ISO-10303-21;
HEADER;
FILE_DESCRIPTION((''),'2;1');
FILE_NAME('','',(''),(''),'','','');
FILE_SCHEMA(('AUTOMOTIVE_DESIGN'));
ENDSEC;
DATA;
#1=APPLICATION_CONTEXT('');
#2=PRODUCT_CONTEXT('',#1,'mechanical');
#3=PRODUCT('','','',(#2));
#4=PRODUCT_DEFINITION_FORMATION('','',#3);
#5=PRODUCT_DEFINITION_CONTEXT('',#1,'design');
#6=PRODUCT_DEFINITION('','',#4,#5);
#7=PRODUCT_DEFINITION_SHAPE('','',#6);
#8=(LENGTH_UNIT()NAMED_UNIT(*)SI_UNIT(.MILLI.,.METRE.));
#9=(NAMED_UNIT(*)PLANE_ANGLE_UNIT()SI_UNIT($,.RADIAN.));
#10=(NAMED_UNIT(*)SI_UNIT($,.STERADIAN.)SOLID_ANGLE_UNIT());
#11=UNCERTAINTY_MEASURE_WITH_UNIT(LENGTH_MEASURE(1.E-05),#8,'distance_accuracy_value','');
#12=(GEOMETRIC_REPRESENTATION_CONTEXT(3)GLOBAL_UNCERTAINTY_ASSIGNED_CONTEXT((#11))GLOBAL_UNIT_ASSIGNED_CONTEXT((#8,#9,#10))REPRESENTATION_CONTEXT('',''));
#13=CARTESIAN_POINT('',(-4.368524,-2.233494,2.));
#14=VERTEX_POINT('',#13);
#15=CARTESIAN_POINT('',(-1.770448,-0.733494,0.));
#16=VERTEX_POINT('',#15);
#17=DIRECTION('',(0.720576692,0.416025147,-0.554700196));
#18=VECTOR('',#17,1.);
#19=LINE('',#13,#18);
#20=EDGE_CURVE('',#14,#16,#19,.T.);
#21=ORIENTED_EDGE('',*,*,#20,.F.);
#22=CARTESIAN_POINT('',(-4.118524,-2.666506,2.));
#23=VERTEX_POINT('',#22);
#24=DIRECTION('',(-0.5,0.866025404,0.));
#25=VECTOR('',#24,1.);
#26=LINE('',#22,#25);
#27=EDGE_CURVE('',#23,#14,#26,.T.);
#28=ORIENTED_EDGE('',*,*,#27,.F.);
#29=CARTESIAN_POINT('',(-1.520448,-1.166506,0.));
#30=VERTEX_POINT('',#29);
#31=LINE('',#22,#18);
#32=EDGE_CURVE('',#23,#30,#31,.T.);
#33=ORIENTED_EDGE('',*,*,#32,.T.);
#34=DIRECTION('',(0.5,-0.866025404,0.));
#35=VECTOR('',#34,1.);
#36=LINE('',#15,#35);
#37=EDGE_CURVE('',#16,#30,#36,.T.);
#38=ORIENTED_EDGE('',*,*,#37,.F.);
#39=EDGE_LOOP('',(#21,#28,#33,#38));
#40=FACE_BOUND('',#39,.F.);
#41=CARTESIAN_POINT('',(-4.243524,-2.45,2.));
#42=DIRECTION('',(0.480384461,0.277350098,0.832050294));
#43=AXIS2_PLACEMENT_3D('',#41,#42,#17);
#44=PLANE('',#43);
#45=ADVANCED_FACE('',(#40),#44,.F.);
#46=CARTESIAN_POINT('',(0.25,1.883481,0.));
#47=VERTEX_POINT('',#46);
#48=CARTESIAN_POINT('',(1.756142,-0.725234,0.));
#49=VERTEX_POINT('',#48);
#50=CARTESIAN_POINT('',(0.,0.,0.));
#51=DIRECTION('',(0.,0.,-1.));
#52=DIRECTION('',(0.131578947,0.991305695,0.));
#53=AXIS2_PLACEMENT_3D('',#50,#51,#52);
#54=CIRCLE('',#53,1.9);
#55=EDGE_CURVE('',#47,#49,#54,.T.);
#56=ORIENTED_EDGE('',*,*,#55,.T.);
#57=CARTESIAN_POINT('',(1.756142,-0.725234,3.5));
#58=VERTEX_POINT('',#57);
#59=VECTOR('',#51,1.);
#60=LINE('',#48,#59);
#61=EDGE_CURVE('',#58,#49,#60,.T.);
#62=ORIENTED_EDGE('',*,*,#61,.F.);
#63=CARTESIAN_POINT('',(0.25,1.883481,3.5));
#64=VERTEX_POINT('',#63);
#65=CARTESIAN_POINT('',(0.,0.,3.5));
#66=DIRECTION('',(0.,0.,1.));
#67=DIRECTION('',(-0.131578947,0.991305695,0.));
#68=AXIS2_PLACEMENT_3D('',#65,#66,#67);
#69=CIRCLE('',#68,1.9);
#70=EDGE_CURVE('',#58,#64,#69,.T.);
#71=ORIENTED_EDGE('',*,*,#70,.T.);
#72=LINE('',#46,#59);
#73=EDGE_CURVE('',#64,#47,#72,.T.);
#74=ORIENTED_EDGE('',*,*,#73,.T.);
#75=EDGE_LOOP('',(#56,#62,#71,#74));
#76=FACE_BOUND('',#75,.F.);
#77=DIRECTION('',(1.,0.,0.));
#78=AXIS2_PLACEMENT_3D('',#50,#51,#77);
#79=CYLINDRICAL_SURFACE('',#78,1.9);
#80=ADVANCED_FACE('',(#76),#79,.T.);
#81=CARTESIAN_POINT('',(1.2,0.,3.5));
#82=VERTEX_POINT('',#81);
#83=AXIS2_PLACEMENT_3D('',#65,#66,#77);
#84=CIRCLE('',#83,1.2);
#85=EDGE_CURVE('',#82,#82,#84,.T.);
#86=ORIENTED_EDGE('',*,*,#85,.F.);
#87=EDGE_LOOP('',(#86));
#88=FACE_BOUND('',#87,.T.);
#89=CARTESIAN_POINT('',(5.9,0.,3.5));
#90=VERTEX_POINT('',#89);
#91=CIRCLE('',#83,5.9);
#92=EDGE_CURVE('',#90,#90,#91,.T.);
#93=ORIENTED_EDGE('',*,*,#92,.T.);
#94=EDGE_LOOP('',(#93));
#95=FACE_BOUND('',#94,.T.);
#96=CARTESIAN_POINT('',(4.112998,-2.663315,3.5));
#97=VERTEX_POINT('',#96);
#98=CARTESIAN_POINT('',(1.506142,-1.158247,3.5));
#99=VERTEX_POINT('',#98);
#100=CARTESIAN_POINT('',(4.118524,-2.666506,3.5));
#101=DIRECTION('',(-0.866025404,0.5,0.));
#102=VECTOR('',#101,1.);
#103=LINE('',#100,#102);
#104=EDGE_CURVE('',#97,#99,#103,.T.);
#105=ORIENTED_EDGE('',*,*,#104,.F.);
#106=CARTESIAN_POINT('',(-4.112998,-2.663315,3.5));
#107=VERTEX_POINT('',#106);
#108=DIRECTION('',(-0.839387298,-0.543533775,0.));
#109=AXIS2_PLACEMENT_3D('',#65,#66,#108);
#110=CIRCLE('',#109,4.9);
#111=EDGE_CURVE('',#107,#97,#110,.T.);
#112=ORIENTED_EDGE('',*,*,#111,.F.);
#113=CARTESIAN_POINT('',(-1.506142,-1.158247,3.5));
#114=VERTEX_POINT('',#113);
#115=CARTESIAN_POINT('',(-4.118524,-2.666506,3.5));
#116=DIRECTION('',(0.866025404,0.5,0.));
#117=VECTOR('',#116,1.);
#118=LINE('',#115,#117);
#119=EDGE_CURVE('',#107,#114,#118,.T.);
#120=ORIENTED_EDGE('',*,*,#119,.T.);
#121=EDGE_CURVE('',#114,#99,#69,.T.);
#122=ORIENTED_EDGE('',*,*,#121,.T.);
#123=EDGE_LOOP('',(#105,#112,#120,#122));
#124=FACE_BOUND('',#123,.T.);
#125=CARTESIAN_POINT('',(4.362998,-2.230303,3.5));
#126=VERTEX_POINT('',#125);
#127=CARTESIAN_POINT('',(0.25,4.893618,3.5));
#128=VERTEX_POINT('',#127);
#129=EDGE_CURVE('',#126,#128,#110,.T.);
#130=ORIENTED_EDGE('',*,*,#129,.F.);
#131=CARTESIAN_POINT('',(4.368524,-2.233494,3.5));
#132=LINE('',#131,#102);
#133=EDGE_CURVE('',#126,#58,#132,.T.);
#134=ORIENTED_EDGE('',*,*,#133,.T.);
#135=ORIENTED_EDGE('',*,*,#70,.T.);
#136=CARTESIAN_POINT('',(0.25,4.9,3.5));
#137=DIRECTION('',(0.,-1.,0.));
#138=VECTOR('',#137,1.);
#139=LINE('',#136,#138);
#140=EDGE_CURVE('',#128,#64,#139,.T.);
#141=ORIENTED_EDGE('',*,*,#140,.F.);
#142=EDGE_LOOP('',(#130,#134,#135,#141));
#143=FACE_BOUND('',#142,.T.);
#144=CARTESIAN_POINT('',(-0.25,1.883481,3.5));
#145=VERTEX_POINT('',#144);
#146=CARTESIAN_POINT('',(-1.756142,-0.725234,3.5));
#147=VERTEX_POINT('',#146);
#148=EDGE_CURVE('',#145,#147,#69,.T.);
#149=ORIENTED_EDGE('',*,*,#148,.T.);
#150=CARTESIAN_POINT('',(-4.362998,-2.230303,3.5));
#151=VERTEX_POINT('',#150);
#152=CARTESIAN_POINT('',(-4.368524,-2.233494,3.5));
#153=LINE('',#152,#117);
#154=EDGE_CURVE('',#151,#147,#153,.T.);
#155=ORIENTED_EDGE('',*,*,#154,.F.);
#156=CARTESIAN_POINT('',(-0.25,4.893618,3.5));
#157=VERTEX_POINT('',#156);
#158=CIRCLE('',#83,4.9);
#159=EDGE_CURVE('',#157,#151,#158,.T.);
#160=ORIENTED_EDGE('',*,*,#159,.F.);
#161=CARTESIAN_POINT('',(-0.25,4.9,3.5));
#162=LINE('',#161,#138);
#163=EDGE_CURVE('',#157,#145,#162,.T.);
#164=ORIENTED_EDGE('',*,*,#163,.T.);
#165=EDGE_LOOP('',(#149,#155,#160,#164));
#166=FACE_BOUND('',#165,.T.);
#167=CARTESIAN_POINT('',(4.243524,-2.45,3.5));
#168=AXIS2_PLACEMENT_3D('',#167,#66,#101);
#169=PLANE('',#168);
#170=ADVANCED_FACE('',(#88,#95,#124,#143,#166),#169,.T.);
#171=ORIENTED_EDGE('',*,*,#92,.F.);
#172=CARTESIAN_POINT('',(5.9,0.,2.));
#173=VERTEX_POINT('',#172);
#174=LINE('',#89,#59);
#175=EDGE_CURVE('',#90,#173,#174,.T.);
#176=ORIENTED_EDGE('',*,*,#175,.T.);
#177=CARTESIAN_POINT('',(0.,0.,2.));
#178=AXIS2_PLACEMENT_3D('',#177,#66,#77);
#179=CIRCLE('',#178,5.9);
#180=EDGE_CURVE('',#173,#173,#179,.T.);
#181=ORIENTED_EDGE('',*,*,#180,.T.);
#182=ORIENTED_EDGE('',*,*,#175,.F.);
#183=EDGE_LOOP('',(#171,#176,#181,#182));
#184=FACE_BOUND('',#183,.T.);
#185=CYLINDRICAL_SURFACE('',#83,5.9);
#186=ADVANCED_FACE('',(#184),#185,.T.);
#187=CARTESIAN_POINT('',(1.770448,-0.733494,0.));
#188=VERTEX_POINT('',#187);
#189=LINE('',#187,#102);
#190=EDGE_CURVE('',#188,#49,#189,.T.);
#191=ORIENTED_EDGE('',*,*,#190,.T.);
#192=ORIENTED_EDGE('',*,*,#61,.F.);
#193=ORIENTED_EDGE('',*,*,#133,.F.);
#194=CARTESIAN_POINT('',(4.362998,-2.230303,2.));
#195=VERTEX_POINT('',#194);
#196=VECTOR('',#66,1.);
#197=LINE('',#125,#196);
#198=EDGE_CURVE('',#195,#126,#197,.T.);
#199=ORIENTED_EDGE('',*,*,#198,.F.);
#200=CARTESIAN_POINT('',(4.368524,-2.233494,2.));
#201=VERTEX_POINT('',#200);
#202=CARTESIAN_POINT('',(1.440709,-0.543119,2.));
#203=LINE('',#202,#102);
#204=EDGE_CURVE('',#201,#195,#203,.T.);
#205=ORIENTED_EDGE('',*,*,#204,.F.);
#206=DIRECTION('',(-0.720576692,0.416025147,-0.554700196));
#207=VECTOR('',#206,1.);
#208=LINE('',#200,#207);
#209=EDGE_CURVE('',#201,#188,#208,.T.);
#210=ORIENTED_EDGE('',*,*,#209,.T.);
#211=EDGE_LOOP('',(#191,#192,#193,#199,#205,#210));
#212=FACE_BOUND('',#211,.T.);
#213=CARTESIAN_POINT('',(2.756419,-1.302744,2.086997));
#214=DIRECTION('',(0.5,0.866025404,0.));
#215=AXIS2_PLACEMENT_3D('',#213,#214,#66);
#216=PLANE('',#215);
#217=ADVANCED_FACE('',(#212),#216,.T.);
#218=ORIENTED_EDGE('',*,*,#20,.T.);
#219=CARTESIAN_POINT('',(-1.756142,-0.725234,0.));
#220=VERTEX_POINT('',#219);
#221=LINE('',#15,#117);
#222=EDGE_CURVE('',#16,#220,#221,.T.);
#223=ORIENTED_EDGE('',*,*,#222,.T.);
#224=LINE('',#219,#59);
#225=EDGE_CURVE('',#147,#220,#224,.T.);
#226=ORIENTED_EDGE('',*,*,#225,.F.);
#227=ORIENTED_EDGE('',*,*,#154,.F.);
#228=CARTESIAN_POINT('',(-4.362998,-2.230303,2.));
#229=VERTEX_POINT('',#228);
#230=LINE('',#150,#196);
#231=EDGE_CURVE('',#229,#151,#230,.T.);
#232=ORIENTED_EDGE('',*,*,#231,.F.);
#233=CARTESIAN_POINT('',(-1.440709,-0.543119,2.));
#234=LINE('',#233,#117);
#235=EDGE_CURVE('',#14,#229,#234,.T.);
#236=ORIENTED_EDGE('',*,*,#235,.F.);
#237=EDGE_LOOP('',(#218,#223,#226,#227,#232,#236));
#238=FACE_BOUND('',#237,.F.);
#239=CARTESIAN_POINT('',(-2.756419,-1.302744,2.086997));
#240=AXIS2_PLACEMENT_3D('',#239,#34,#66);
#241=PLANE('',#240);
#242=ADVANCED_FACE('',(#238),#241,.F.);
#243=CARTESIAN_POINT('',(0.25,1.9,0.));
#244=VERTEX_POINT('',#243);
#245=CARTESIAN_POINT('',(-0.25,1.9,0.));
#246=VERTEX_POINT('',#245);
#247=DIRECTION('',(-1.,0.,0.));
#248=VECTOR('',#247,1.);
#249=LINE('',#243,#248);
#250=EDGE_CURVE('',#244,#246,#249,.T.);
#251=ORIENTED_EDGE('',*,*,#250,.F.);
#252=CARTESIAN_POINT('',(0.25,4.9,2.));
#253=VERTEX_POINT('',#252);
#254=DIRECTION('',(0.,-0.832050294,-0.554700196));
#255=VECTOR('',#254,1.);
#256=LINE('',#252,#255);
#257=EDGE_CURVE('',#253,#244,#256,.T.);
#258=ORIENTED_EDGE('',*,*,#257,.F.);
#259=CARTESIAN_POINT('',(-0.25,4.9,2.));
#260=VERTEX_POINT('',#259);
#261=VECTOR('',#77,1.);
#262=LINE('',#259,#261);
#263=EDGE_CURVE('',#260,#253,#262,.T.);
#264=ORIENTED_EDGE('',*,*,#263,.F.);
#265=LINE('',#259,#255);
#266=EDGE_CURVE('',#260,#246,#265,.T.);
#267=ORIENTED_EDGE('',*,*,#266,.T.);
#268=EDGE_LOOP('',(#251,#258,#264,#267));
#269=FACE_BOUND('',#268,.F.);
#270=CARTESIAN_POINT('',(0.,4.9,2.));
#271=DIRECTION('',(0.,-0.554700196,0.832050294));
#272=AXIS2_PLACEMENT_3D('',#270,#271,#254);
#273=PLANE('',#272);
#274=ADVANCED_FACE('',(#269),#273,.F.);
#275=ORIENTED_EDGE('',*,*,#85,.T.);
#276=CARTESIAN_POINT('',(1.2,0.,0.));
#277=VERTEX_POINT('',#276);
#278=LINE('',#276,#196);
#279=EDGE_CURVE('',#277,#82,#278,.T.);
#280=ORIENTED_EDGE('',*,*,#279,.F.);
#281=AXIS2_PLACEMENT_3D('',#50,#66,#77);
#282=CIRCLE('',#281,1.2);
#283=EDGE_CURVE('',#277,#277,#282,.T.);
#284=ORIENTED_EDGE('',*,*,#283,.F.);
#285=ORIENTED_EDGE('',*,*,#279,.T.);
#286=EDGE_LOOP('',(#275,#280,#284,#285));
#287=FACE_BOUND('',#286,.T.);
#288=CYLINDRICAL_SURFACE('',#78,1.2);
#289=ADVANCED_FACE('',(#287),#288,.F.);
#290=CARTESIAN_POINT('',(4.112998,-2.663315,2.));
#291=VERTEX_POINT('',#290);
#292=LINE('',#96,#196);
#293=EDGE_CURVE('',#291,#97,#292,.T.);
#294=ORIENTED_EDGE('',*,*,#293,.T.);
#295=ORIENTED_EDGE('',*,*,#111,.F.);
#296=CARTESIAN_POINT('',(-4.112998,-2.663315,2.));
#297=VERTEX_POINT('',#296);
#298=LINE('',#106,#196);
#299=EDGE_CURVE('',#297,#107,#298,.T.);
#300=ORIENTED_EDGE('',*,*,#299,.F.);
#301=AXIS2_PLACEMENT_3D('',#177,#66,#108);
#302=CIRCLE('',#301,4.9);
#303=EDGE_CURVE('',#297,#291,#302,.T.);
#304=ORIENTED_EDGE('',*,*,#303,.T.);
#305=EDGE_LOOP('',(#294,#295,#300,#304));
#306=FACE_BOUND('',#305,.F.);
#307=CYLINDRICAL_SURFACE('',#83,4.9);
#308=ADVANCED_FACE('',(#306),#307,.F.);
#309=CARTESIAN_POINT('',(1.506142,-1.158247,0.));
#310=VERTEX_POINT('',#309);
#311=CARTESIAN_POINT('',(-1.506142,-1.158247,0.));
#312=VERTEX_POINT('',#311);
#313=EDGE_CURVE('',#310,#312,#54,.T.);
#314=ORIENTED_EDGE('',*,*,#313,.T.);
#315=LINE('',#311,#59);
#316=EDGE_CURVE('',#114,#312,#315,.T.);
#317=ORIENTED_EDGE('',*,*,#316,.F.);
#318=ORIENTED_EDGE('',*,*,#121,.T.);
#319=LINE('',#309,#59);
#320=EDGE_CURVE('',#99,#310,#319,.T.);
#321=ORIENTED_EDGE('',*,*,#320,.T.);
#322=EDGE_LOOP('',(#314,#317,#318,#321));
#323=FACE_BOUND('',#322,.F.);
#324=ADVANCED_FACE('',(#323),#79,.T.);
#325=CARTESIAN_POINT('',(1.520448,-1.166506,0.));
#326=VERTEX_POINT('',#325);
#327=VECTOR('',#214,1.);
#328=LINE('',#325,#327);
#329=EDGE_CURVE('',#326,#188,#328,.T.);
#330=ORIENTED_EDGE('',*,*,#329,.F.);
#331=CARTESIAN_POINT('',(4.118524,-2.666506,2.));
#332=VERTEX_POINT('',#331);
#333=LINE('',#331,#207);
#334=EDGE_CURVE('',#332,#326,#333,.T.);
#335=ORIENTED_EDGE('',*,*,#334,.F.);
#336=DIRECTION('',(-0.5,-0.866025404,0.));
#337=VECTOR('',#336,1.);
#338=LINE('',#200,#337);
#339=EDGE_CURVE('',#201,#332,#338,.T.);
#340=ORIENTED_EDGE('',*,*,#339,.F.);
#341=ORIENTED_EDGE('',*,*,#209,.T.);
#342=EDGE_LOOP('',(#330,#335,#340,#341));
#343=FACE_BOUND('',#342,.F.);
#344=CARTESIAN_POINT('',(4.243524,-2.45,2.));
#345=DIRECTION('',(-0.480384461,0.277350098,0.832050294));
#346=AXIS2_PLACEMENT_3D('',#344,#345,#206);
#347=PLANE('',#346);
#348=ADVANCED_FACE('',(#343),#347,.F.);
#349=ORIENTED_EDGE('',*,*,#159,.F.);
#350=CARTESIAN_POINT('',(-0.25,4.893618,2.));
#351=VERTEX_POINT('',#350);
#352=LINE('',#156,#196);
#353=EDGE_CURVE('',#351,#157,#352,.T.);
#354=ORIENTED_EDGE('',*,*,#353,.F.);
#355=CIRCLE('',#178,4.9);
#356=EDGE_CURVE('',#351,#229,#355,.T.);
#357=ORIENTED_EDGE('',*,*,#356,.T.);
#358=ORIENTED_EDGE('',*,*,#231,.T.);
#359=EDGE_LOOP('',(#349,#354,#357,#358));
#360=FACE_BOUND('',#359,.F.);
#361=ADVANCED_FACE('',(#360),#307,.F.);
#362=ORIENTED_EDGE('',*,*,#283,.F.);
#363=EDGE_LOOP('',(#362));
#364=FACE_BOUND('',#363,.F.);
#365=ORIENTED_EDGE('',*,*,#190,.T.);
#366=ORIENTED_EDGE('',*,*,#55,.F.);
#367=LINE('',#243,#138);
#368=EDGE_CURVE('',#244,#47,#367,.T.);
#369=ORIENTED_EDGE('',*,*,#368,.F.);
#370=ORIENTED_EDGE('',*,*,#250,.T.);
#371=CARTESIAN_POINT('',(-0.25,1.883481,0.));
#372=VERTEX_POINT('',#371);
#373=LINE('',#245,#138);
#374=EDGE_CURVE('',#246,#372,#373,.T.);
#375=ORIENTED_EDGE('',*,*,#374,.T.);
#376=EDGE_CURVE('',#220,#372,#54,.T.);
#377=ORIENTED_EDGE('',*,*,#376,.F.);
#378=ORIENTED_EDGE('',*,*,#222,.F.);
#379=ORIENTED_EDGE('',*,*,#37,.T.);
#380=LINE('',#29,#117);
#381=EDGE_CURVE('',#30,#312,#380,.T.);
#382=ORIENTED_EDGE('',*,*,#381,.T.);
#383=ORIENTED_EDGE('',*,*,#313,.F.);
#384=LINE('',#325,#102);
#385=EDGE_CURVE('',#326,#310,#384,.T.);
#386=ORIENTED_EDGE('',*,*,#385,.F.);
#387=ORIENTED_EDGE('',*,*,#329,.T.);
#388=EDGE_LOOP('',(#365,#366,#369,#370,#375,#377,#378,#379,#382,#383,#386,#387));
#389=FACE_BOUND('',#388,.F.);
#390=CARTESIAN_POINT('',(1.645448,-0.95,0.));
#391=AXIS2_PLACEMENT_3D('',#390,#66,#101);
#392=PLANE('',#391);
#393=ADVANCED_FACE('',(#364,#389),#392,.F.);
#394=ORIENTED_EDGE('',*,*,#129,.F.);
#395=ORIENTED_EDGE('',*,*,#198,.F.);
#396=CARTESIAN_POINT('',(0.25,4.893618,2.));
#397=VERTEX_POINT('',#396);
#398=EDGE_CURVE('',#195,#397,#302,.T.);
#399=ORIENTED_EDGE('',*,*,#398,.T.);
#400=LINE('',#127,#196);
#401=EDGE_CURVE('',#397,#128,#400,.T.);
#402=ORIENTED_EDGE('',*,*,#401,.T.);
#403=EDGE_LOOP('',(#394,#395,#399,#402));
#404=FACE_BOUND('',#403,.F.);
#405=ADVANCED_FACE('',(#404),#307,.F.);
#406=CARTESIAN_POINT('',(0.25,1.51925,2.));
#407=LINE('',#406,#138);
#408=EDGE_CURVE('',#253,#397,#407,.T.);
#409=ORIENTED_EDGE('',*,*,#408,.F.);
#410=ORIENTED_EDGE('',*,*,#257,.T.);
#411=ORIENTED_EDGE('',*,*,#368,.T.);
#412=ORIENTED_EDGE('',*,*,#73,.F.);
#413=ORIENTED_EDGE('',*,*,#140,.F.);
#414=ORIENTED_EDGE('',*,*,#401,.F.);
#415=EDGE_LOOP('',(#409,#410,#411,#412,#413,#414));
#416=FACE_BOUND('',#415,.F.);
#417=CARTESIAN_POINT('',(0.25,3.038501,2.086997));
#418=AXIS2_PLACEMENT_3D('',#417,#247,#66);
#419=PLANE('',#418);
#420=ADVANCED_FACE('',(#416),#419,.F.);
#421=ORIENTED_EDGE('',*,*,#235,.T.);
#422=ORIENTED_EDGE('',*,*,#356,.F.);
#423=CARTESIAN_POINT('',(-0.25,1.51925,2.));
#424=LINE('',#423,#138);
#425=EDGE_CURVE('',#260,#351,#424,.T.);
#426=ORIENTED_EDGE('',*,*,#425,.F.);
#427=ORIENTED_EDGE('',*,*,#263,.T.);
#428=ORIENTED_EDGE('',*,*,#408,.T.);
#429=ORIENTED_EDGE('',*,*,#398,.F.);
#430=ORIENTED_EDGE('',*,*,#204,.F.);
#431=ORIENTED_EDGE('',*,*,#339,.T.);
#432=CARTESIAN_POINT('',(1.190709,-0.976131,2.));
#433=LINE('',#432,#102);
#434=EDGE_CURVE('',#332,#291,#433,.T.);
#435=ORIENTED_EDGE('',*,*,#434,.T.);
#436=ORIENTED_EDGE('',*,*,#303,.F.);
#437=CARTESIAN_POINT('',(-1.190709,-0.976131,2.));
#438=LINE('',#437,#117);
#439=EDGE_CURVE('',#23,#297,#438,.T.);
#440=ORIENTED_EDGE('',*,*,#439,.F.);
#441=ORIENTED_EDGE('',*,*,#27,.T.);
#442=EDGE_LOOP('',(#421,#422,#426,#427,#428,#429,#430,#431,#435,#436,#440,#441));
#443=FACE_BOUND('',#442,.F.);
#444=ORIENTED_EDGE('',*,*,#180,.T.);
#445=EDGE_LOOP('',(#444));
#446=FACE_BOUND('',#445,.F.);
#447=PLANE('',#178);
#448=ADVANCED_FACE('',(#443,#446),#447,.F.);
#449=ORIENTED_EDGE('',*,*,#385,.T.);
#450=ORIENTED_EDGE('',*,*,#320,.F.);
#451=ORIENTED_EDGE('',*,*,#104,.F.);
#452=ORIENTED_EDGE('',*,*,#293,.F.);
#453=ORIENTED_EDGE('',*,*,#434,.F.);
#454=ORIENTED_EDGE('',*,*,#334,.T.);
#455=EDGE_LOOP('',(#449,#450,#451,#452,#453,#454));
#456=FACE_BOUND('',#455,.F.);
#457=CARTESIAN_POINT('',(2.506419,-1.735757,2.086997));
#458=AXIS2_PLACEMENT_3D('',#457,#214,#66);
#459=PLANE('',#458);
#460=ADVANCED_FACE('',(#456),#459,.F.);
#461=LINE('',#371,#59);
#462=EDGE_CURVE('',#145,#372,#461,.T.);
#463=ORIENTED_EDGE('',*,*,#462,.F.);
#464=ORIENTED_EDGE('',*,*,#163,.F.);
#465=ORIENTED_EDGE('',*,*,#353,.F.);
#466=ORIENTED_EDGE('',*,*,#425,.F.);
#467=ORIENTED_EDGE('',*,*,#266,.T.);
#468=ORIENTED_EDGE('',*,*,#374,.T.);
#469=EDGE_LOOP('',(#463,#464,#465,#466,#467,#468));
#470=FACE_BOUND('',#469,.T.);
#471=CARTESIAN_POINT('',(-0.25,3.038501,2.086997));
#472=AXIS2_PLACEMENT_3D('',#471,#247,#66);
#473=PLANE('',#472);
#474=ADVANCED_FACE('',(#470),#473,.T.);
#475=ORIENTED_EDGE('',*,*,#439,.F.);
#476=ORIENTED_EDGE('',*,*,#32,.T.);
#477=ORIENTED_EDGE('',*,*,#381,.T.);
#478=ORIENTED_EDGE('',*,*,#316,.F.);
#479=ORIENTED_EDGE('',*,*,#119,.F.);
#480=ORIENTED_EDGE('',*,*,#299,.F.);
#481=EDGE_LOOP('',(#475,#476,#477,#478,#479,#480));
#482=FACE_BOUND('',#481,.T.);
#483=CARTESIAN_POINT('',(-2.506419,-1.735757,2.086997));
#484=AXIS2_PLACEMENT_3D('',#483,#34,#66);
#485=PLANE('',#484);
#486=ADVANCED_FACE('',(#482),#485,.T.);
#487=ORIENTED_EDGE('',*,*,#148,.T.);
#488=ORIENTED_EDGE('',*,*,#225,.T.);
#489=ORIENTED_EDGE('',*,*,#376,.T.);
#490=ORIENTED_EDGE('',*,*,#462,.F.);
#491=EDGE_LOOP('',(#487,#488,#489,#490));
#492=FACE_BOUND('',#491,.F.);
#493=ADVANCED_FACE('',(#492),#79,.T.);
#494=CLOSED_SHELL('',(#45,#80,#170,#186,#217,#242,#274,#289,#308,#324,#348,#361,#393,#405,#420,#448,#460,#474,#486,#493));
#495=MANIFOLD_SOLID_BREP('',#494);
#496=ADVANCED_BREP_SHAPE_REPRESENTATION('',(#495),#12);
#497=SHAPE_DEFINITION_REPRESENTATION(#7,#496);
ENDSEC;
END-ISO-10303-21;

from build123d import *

# Parameters (mm, degrees)
SKETCH1_R           = 1.9
SKETCH1_R_2         = 1.2
BOSS_EXTRUDE1_DEPTH = 3.5
SKETCH3_R           = 5.9
SKETCH3_R_2         = 4.9
BOSS_EXTRUDE3_DEPTH = 1.5
BOSS_EXTRUDE4_DEPTH = 0.25
CIRPATTERN1_COUNT   = 3


with BuildPart() as part:
    # Sketch1 → Boss-Extrude1 (new body)
    with BuildSketch(Plane.XY):
        Circle(SKETCH1_R)
        Circle(SKETCH1_R_2, mode=Mode.SUBTRACT)
    extrude(amount=BOSS_EXTRUDE1_DEPTH)



with BuildPart() as body_2:
    # Sketch3 → Boss-Extrude3 (new body)
    with BuildSketch(Plane.XY.offset(3.5)):
        Circle(SKETCH3_R)
        Circle(SKETCH3_R_2, mode=Mode.SUBTRACT)
    extrude(amount=-BOSS_EXTRUDE3_DEPTH)


with BuildPart() as part_1:
    add(part.part)

    add(body_2.part)  # Boss-Extrude4 merges body 2
    # Sketch8 → Boss-Extrude4 (add, symmetric)
    with BuildSketch(Plane(origin=(0, 0, 0), x_dir=(0, 0, -1), z_dir=(1, 0, 0))):
        Polygon((-2, 4.9), (0, 1.9), (0, 1.7), (-3.5, 1.7), (-3.5, 1.9), (-3.5, 4.9), align=None)
    boss_extrude4 = extrude(amount=BOSS_EXTRUDE4_DEPTH, both=True)

    # CirPattern1: Boss-Extrude4 ×3 about axis
    cirpattern1_axis = Axis((0, 0, 0), (0, 0, 1))
    for i in range(1, CIRPATTERN1_COUNT):
        add(boss_extrude4.rotate(cirpattern1_axis, i * 360 / CIRPATTERN1_COUNT))


solid = part_1.part
